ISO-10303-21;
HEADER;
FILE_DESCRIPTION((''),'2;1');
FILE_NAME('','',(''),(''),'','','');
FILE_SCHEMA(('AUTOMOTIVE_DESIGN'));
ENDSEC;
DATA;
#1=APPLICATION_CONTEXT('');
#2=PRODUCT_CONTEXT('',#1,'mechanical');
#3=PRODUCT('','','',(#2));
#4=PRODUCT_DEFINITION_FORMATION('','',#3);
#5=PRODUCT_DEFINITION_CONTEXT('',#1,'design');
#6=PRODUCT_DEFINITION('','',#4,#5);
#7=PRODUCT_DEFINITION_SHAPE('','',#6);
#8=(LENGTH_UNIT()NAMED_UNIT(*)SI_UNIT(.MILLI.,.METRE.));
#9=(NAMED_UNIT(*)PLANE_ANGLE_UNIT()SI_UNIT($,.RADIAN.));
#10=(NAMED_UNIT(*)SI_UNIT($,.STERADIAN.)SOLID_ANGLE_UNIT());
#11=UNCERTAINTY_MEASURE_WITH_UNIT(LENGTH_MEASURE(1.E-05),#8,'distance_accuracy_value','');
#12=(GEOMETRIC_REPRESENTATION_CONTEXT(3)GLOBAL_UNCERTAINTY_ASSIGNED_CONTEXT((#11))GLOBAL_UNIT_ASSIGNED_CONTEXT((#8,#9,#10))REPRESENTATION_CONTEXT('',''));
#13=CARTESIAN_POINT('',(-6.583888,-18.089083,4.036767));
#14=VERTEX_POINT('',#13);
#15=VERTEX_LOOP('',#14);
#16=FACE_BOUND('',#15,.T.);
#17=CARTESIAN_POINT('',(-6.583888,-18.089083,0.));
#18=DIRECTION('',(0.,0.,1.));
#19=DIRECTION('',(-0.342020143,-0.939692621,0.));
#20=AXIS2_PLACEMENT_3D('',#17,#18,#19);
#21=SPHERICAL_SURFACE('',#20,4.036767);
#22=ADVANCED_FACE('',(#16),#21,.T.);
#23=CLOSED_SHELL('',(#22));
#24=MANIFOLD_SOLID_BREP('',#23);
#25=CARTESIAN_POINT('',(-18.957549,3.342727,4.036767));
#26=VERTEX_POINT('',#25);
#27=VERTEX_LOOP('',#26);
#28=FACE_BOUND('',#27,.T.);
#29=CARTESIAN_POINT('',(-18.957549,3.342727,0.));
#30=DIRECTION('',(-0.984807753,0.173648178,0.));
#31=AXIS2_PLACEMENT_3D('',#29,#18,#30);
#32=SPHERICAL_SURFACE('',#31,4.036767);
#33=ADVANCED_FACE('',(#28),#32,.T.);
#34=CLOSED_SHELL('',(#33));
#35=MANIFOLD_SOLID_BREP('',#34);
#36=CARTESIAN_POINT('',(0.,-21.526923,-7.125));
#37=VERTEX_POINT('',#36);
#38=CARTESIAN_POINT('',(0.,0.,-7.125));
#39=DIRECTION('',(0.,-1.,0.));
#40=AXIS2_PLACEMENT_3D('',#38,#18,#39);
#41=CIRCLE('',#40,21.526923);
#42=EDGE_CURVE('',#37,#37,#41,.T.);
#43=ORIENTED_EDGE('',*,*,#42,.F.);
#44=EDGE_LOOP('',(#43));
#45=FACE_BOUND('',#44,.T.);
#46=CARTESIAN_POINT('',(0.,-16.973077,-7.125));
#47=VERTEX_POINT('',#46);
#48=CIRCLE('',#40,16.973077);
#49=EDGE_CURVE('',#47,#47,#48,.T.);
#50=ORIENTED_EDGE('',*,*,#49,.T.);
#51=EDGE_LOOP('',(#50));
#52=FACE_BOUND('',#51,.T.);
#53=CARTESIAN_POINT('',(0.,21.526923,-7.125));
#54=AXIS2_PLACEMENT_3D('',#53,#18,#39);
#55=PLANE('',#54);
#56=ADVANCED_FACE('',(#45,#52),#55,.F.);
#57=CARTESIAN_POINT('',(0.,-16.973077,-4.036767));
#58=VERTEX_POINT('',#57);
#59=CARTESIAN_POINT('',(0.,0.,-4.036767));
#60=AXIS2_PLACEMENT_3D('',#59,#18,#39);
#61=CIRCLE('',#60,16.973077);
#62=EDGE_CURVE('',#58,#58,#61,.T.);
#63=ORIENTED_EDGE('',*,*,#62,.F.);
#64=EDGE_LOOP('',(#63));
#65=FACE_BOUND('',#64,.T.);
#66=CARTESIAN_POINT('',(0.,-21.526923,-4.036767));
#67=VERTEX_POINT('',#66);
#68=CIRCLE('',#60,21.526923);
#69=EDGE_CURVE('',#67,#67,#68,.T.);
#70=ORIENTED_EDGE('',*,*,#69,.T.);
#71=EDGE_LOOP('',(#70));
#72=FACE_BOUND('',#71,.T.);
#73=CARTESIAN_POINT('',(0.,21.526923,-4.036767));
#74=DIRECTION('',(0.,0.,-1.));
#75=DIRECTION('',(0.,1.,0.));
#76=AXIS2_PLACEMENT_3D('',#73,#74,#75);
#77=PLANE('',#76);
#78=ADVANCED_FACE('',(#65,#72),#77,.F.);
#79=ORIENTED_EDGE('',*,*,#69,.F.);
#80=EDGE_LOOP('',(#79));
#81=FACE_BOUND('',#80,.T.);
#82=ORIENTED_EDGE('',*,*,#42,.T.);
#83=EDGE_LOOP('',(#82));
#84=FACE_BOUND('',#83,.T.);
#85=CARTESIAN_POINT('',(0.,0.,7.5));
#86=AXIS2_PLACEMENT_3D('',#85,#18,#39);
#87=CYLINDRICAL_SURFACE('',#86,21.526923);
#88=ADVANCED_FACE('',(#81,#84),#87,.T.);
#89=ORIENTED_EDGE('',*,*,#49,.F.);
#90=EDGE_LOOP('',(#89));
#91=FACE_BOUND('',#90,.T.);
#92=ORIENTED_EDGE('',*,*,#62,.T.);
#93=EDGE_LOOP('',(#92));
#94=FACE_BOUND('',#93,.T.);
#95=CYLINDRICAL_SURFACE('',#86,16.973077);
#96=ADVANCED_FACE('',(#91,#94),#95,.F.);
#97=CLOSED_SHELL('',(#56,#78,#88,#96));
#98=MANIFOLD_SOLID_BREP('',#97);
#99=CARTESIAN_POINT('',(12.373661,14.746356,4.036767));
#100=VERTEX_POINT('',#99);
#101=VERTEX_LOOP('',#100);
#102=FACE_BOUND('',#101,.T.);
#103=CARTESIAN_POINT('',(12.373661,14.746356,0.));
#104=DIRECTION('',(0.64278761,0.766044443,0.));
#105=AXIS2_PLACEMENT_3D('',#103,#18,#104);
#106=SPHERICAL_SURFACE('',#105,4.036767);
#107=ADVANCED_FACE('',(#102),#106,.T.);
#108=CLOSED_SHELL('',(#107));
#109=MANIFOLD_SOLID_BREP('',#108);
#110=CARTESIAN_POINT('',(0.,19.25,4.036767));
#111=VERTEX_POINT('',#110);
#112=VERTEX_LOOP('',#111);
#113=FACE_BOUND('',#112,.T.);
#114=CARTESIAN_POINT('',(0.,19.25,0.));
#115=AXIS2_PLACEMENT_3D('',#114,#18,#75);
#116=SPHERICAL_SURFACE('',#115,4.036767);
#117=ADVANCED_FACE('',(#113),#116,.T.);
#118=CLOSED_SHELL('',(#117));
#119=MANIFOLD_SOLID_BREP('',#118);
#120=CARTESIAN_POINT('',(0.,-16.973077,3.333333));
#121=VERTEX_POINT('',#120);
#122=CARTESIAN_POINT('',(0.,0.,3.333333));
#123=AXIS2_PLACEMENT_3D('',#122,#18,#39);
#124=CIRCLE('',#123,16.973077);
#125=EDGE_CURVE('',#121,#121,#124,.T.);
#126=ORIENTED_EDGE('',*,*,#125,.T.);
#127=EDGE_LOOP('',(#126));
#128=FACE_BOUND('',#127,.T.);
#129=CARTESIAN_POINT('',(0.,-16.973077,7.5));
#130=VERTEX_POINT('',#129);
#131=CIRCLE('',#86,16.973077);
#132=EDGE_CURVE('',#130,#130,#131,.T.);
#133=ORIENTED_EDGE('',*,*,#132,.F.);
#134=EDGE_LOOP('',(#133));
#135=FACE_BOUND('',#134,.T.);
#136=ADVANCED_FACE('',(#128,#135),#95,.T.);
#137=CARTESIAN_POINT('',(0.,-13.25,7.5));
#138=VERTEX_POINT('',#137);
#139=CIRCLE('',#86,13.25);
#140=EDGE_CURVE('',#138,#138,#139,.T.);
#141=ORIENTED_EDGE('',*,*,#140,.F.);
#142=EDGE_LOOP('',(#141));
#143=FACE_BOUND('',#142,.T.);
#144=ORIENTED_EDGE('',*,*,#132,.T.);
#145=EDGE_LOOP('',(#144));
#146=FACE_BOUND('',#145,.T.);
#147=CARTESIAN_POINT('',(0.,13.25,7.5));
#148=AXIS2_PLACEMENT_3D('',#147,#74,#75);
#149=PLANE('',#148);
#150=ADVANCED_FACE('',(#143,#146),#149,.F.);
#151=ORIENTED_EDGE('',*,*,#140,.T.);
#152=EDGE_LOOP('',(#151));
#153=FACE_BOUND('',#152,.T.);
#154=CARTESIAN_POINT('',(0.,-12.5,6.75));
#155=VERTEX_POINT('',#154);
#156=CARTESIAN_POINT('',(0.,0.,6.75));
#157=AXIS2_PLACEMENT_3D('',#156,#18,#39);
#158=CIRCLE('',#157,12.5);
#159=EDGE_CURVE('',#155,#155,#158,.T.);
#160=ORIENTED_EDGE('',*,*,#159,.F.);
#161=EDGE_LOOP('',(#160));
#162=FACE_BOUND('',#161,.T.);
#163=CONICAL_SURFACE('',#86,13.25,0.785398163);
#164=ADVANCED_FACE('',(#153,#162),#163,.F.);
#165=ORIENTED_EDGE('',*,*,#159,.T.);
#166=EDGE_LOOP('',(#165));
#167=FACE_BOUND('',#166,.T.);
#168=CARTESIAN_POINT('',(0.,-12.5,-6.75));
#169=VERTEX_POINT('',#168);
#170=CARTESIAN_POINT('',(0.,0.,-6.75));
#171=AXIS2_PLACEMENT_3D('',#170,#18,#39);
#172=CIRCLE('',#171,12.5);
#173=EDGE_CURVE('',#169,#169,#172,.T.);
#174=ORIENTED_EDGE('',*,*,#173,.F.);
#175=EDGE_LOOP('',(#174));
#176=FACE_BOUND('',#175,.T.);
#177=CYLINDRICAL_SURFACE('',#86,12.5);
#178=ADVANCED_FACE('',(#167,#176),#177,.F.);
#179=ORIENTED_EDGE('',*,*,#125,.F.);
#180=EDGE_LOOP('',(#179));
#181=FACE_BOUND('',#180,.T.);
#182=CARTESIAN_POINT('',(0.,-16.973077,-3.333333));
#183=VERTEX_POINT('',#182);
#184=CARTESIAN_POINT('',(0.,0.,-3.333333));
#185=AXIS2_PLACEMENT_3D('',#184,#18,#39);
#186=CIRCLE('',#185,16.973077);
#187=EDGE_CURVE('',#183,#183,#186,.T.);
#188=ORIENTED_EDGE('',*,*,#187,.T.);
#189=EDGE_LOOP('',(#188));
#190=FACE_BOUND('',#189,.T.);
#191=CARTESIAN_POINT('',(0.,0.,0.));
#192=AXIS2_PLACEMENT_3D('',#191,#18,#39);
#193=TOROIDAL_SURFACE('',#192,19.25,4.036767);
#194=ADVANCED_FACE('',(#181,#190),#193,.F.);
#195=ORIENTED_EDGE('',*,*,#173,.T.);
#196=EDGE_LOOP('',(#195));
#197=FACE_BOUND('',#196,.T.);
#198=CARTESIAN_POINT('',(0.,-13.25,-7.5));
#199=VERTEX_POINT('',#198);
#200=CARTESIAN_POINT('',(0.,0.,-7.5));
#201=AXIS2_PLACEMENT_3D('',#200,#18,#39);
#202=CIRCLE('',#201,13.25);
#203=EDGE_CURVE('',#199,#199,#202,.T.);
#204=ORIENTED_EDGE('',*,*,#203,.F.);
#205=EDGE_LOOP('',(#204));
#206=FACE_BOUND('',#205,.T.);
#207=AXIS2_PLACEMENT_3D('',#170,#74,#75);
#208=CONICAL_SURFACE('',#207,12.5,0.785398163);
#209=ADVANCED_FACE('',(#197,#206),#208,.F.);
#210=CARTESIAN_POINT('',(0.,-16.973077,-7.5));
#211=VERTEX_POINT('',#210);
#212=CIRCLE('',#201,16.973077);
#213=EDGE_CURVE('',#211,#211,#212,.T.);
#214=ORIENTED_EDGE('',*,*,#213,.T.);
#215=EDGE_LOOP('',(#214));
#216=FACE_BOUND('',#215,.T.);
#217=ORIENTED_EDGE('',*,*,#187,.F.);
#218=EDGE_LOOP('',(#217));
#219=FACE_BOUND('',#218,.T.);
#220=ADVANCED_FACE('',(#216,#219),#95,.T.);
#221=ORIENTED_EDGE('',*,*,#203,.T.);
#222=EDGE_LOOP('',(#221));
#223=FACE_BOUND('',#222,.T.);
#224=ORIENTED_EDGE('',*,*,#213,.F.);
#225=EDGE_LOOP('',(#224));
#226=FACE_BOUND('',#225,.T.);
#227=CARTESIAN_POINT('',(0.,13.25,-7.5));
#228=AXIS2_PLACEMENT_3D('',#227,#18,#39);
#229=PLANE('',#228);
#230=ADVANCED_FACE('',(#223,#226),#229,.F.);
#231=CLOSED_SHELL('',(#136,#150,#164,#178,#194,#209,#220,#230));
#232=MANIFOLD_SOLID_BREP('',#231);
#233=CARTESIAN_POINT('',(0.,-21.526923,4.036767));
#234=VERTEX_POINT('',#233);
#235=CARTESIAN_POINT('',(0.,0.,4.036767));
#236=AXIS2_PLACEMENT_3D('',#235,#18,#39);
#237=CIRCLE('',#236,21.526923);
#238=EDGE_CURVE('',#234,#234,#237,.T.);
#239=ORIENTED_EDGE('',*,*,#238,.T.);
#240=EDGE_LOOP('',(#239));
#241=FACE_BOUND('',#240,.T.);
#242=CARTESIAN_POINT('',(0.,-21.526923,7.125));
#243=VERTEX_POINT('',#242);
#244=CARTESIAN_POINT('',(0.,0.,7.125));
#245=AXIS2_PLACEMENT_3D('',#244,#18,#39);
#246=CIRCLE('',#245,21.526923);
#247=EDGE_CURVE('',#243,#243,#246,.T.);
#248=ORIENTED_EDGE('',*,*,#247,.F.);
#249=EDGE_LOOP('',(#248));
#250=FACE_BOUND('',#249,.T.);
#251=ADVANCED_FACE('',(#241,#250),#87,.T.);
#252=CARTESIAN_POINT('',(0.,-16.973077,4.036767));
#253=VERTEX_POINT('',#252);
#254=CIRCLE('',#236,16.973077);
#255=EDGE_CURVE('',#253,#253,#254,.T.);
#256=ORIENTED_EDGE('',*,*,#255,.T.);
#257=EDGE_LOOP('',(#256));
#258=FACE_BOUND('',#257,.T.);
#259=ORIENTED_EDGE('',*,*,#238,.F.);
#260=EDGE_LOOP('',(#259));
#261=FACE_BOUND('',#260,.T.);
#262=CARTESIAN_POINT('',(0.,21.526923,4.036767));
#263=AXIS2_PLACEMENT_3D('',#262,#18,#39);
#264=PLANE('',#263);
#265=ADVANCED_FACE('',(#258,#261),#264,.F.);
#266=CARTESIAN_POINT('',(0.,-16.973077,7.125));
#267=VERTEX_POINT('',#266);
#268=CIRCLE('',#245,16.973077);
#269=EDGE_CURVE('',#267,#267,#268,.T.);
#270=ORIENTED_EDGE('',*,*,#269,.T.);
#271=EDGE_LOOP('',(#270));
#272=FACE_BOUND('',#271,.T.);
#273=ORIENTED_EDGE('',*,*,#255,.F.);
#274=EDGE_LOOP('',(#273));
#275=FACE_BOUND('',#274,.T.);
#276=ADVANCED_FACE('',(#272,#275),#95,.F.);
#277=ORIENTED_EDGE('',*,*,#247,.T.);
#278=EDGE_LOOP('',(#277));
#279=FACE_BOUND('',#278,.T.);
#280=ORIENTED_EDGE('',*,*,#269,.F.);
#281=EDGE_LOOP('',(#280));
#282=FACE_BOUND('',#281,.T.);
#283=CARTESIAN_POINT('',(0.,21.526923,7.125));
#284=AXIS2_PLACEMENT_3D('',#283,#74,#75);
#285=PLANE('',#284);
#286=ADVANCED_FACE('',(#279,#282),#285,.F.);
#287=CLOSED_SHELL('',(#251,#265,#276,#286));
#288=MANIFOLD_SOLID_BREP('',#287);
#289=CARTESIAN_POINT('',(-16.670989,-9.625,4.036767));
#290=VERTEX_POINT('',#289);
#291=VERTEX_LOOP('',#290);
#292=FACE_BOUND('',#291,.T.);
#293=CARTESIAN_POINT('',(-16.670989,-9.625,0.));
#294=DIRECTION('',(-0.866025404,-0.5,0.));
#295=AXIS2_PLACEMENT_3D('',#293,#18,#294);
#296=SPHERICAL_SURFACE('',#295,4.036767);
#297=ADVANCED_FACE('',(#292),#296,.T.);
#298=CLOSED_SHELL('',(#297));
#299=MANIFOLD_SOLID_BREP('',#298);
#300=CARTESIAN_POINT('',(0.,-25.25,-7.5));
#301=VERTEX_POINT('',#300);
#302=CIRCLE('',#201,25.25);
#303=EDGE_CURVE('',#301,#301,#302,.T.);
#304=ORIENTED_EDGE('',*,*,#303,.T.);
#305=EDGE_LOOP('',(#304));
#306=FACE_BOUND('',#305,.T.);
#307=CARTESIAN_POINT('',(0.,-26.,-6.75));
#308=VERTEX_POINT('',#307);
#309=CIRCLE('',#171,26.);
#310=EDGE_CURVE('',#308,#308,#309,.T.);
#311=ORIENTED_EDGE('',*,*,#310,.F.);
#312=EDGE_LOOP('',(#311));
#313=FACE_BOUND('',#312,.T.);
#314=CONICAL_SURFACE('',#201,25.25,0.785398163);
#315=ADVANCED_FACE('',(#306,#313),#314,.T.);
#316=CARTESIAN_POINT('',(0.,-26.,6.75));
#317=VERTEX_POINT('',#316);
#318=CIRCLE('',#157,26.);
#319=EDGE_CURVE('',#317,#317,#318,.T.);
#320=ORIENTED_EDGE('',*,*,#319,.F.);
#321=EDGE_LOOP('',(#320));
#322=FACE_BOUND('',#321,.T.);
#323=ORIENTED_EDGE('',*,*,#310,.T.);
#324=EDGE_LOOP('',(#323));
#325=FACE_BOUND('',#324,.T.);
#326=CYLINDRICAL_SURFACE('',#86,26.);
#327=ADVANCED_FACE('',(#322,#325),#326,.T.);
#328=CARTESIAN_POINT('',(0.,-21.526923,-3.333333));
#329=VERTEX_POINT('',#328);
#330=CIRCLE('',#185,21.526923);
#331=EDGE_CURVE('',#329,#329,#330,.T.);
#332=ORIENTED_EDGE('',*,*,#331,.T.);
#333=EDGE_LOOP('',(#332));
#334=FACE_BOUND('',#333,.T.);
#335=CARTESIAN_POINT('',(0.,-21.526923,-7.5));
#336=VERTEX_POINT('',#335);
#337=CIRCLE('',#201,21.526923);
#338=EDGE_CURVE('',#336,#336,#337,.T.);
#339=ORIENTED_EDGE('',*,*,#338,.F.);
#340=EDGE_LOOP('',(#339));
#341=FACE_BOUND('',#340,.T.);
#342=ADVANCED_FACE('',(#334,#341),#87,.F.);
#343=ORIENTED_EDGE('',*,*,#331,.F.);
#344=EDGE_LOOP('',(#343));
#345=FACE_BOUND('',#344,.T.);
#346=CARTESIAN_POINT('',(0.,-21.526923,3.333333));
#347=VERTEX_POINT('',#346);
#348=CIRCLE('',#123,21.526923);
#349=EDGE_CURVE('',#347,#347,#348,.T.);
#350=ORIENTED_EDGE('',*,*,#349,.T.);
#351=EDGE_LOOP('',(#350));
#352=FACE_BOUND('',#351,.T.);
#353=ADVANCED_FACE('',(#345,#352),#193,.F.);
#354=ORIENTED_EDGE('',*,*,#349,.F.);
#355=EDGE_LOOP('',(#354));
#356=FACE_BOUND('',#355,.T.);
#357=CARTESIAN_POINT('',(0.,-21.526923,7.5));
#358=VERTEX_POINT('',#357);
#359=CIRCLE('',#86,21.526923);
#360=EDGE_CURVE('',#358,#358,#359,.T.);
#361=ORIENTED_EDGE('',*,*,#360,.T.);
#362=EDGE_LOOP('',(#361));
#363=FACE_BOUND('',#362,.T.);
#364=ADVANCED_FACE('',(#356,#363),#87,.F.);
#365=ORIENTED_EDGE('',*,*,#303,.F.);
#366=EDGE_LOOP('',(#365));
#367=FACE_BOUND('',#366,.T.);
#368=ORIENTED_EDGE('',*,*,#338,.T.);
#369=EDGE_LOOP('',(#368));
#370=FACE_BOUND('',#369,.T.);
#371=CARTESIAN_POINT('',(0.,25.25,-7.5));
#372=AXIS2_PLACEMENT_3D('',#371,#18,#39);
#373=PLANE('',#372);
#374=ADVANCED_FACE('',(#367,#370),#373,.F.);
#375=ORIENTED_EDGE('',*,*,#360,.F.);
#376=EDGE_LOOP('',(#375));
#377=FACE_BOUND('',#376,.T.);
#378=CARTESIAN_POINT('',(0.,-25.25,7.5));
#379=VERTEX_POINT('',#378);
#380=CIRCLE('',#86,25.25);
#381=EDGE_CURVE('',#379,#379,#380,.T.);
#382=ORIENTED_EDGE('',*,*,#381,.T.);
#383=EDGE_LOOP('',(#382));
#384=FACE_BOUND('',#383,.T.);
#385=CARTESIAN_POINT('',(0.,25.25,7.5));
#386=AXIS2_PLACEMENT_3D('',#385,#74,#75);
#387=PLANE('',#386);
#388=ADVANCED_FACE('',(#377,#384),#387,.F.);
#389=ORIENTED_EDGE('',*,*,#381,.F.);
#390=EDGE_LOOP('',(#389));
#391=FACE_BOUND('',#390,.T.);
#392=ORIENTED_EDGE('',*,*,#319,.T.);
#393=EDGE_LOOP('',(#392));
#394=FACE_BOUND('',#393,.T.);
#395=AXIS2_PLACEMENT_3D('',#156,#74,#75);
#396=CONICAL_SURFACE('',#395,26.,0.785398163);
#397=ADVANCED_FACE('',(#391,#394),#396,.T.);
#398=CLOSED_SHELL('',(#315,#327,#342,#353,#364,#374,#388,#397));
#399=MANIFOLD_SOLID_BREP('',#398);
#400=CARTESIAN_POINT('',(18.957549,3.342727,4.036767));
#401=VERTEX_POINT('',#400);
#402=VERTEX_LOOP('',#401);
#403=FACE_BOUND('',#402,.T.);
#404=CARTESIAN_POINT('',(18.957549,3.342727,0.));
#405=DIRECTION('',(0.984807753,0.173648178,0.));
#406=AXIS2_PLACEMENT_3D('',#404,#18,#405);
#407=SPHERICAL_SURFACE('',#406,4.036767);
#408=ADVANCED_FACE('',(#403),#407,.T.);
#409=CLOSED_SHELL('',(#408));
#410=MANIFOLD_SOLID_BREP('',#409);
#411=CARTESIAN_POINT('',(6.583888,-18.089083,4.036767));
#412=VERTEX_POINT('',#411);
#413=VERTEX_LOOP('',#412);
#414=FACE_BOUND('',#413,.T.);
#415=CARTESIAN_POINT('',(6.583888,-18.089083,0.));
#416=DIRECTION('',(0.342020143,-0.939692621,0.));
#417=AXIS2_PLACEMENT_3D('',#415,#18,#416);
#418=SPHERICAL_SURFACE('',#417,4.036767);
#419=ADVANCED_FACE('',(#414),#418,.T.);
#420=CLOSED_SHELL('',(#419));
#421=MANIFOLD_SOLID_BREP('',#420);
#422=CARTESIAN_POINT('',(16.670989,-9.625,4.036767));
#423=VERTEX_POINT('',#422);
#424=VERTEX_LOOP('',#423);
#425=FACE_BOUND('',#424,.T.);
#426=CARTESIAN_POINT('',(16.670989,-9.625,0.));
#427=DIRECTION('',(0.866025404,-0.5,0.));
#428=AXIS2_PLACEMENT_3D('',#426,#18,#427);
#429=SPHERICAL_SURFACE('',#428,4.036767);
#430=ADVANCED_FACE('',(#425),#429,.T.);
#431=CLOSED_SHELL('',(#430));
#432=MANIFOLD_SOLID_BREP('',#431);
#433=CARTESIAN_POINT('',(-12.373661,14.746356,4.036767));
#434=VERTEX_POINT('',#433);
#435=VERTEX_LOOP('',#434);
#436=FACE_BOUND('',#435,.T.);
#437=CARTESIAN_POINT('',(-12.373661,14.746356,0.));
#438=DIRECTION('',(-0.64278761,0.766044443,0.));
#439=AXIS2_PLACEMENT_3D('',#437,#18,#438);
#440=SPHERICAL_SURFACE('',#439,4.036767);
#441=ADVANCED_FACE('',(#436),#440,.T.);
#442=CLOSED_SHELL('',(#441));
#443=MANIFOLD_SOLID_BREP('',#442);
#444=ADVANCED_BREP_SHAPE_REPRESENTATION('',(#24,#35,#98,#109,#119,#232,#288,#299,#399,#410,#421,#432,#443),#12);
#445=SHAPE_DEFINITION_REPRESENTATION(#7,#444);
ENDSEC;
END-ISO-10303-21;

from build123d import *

# Parameters (mm, degrees)
CIRPATTERN1_COUNT = 9
SKETCH5_W         = 3.088232753
SKETCH5_H         = 4.553846154


with BuildPart() as part:
    # Sketch7 → Revolve6 (revolve)
    with BuildSketch(Plane(origin=(0, 0, 0), x_dir=(0, 0, -1), z_dir=(1, 0, 0))):
        with BuildLine():
            Line((6.75, 26), (7.5, 25.25))
            Line((7.5, 25.25), (7.5, 21.526923077))
            Line((7.5, 21.526923077), (3.333333333, 21.526923077))
            ThreePointArc((3.333333333, 21.526923077), (0, 23.286767247), (-3.333333333, 21.526923077))
            Line((-3.333333333, 21.526923077), (-7.5, 21.526923077))
            Line((-7.5, 21.526923077), (-7.5, 25.25))
            Line((-7.5, 25.25), (-6.75, 26))
            Line((-6.75, 26), (6.75, 26))
        make_face()
    revolve(axis=Axis((0, 0, 7.5), (0, 0, -1)))


with BuildPart() as body_2:
    # Sketch3 → Revolve3 (revolve)
    with BuildSketch(Plane(origin=(0, 0, 0), x_dir=(0, 0, -1), z_dir=(1, 0, 0))):
        with BuildLine():
            Line((-6.75, 12.5), (-7.5, 13.25))
            Line((-7.5, 13.25), (-7.5, 16.973076923))
            Line((-7.5, 16.973076923), (-3.333333333, 16.973076923))
            ThreePointArc((-3.333333333, 16.973076923), (0, 15.213232753), (3.333333333, 16.973076923))
            Line((3.333333333, 16.973076923), (7.5, 16.973076923))
            Line((7.5, 16.973076923), (7.5, 13.25))
            Line((7.5, 13.25), (6.75, 12.5))
            Line((6.75, 12.5), (-6.75, 12.5))
        make_face()
    revolve(axis=Axis((0, 0, 7.5), (0, 0, -1)))


with BuildPart() as body_3:
    # Sketch4 → Revolve4 (revolve)
    with BuildSketch(Plane(origin=(0, 0, 0), x_dir=(0, 0, -1), z_dir=(1, 0, 0))):
        with BuildLine():
            Line((-4.036767247, 19.25), (4.036767247, 19.25))
            ThreePointArc((4.036767247, 19.25), (0, 23.286767247), (-4.036767247, 19.25))
        make_face()
    revolve(axis=Axis((0, 19.25, 4.036767247), (0, 0, -1)))


with BuildPart() as cirpattern1_1:
    # CirPattern1: pattern copy
    add(body_3.part.rotate(Axis((0, 0, 0), (0, 0, 1)), 1 * 360 / CIRPATTERN1_COUNT))


with BuildPart() as cirpattern1_2:
    # CirPattern1: pattern copy
    add(body_3.part.rotate(Axis((0, 0, 0), (0, 0, 1)), 2 * 360 / CIRPATTERN1_COUNT))


with BuildPart() as cirpattern1_3:
    # CirPattern1: pattern copy
    add(body_3.part.rotate(Axis((0, 0, 0), (0, 0, 1)), 3 * 360 / CIRPATTERN1_COUNT))


with BuildPart() as cirpattern1_4:
    # CirPattern1: pattern copy
    add(body_3.part.rotate(Axis((0, 0, 0), (0, 0, 1)), 4 * 360 / CIRPATTERN1_COUNT))


with BuildPart() as cirpattern1_5:
    # CirPattern1: pattern copy
    add(body_3.part.rotate(Axis((0, 0, 0), (0, 0, 1)), 5 * 360 / CIRPATTERN1_COUNT))


with BuildPart() as cirpattern1_6:
    # CirPattern1: pattern copy
    add(body_3.part.rotate(Axis((0, 0, 0), (0, 0, 1)), 6 * 360 / CIRPATTERN1_COUNT))


with BuildPart() as cirpattern1_7:
    # CirPattern1: pattern copy
    add(body_3.part.rotate(Axis((0, 0, 0), (0, 0, 1)), 7 * 360 / CIRPATTERN1_COUNT))


with BuildPart() as cirpattern1_8:
    # CirPattern1: pattern copy
    add(body_3.part.rotate(Axis((0, 0, 0), (0, 0, 1)), 8 * 360 / CIRPATTERN1_COUNT))


with BuildPart() as body_12:
    # Sketch5 → Revolve5 (revolve)
    with BuildSketch(Plane(origin=(0, 0, 0), x_dir=(0, 0, -1), z_dir=(1, 0, 0))):
        with Locations((-5.580883624, 19.25)):
            Rectangle(SKETCH5_W, SKETCH5_H)
        with Locations((5.580883624, 19.25)):
            Rectangle(SKETCH5_W, SKETCH5_H)
    revolve(axis=Axis((0, 0, 7.5), (0, 0, -1)))


solid = Compound([part.part, body_2.part, body_3.part, cirpattern1_1.part, cirpattern1_2.part, cirpattern1_3.part, cirpattern1_4.part, cirpattern1_5.part, cirpattern1_6.part, cirpattern1_7.part, cirpattern1_8.part, body_12.part])
